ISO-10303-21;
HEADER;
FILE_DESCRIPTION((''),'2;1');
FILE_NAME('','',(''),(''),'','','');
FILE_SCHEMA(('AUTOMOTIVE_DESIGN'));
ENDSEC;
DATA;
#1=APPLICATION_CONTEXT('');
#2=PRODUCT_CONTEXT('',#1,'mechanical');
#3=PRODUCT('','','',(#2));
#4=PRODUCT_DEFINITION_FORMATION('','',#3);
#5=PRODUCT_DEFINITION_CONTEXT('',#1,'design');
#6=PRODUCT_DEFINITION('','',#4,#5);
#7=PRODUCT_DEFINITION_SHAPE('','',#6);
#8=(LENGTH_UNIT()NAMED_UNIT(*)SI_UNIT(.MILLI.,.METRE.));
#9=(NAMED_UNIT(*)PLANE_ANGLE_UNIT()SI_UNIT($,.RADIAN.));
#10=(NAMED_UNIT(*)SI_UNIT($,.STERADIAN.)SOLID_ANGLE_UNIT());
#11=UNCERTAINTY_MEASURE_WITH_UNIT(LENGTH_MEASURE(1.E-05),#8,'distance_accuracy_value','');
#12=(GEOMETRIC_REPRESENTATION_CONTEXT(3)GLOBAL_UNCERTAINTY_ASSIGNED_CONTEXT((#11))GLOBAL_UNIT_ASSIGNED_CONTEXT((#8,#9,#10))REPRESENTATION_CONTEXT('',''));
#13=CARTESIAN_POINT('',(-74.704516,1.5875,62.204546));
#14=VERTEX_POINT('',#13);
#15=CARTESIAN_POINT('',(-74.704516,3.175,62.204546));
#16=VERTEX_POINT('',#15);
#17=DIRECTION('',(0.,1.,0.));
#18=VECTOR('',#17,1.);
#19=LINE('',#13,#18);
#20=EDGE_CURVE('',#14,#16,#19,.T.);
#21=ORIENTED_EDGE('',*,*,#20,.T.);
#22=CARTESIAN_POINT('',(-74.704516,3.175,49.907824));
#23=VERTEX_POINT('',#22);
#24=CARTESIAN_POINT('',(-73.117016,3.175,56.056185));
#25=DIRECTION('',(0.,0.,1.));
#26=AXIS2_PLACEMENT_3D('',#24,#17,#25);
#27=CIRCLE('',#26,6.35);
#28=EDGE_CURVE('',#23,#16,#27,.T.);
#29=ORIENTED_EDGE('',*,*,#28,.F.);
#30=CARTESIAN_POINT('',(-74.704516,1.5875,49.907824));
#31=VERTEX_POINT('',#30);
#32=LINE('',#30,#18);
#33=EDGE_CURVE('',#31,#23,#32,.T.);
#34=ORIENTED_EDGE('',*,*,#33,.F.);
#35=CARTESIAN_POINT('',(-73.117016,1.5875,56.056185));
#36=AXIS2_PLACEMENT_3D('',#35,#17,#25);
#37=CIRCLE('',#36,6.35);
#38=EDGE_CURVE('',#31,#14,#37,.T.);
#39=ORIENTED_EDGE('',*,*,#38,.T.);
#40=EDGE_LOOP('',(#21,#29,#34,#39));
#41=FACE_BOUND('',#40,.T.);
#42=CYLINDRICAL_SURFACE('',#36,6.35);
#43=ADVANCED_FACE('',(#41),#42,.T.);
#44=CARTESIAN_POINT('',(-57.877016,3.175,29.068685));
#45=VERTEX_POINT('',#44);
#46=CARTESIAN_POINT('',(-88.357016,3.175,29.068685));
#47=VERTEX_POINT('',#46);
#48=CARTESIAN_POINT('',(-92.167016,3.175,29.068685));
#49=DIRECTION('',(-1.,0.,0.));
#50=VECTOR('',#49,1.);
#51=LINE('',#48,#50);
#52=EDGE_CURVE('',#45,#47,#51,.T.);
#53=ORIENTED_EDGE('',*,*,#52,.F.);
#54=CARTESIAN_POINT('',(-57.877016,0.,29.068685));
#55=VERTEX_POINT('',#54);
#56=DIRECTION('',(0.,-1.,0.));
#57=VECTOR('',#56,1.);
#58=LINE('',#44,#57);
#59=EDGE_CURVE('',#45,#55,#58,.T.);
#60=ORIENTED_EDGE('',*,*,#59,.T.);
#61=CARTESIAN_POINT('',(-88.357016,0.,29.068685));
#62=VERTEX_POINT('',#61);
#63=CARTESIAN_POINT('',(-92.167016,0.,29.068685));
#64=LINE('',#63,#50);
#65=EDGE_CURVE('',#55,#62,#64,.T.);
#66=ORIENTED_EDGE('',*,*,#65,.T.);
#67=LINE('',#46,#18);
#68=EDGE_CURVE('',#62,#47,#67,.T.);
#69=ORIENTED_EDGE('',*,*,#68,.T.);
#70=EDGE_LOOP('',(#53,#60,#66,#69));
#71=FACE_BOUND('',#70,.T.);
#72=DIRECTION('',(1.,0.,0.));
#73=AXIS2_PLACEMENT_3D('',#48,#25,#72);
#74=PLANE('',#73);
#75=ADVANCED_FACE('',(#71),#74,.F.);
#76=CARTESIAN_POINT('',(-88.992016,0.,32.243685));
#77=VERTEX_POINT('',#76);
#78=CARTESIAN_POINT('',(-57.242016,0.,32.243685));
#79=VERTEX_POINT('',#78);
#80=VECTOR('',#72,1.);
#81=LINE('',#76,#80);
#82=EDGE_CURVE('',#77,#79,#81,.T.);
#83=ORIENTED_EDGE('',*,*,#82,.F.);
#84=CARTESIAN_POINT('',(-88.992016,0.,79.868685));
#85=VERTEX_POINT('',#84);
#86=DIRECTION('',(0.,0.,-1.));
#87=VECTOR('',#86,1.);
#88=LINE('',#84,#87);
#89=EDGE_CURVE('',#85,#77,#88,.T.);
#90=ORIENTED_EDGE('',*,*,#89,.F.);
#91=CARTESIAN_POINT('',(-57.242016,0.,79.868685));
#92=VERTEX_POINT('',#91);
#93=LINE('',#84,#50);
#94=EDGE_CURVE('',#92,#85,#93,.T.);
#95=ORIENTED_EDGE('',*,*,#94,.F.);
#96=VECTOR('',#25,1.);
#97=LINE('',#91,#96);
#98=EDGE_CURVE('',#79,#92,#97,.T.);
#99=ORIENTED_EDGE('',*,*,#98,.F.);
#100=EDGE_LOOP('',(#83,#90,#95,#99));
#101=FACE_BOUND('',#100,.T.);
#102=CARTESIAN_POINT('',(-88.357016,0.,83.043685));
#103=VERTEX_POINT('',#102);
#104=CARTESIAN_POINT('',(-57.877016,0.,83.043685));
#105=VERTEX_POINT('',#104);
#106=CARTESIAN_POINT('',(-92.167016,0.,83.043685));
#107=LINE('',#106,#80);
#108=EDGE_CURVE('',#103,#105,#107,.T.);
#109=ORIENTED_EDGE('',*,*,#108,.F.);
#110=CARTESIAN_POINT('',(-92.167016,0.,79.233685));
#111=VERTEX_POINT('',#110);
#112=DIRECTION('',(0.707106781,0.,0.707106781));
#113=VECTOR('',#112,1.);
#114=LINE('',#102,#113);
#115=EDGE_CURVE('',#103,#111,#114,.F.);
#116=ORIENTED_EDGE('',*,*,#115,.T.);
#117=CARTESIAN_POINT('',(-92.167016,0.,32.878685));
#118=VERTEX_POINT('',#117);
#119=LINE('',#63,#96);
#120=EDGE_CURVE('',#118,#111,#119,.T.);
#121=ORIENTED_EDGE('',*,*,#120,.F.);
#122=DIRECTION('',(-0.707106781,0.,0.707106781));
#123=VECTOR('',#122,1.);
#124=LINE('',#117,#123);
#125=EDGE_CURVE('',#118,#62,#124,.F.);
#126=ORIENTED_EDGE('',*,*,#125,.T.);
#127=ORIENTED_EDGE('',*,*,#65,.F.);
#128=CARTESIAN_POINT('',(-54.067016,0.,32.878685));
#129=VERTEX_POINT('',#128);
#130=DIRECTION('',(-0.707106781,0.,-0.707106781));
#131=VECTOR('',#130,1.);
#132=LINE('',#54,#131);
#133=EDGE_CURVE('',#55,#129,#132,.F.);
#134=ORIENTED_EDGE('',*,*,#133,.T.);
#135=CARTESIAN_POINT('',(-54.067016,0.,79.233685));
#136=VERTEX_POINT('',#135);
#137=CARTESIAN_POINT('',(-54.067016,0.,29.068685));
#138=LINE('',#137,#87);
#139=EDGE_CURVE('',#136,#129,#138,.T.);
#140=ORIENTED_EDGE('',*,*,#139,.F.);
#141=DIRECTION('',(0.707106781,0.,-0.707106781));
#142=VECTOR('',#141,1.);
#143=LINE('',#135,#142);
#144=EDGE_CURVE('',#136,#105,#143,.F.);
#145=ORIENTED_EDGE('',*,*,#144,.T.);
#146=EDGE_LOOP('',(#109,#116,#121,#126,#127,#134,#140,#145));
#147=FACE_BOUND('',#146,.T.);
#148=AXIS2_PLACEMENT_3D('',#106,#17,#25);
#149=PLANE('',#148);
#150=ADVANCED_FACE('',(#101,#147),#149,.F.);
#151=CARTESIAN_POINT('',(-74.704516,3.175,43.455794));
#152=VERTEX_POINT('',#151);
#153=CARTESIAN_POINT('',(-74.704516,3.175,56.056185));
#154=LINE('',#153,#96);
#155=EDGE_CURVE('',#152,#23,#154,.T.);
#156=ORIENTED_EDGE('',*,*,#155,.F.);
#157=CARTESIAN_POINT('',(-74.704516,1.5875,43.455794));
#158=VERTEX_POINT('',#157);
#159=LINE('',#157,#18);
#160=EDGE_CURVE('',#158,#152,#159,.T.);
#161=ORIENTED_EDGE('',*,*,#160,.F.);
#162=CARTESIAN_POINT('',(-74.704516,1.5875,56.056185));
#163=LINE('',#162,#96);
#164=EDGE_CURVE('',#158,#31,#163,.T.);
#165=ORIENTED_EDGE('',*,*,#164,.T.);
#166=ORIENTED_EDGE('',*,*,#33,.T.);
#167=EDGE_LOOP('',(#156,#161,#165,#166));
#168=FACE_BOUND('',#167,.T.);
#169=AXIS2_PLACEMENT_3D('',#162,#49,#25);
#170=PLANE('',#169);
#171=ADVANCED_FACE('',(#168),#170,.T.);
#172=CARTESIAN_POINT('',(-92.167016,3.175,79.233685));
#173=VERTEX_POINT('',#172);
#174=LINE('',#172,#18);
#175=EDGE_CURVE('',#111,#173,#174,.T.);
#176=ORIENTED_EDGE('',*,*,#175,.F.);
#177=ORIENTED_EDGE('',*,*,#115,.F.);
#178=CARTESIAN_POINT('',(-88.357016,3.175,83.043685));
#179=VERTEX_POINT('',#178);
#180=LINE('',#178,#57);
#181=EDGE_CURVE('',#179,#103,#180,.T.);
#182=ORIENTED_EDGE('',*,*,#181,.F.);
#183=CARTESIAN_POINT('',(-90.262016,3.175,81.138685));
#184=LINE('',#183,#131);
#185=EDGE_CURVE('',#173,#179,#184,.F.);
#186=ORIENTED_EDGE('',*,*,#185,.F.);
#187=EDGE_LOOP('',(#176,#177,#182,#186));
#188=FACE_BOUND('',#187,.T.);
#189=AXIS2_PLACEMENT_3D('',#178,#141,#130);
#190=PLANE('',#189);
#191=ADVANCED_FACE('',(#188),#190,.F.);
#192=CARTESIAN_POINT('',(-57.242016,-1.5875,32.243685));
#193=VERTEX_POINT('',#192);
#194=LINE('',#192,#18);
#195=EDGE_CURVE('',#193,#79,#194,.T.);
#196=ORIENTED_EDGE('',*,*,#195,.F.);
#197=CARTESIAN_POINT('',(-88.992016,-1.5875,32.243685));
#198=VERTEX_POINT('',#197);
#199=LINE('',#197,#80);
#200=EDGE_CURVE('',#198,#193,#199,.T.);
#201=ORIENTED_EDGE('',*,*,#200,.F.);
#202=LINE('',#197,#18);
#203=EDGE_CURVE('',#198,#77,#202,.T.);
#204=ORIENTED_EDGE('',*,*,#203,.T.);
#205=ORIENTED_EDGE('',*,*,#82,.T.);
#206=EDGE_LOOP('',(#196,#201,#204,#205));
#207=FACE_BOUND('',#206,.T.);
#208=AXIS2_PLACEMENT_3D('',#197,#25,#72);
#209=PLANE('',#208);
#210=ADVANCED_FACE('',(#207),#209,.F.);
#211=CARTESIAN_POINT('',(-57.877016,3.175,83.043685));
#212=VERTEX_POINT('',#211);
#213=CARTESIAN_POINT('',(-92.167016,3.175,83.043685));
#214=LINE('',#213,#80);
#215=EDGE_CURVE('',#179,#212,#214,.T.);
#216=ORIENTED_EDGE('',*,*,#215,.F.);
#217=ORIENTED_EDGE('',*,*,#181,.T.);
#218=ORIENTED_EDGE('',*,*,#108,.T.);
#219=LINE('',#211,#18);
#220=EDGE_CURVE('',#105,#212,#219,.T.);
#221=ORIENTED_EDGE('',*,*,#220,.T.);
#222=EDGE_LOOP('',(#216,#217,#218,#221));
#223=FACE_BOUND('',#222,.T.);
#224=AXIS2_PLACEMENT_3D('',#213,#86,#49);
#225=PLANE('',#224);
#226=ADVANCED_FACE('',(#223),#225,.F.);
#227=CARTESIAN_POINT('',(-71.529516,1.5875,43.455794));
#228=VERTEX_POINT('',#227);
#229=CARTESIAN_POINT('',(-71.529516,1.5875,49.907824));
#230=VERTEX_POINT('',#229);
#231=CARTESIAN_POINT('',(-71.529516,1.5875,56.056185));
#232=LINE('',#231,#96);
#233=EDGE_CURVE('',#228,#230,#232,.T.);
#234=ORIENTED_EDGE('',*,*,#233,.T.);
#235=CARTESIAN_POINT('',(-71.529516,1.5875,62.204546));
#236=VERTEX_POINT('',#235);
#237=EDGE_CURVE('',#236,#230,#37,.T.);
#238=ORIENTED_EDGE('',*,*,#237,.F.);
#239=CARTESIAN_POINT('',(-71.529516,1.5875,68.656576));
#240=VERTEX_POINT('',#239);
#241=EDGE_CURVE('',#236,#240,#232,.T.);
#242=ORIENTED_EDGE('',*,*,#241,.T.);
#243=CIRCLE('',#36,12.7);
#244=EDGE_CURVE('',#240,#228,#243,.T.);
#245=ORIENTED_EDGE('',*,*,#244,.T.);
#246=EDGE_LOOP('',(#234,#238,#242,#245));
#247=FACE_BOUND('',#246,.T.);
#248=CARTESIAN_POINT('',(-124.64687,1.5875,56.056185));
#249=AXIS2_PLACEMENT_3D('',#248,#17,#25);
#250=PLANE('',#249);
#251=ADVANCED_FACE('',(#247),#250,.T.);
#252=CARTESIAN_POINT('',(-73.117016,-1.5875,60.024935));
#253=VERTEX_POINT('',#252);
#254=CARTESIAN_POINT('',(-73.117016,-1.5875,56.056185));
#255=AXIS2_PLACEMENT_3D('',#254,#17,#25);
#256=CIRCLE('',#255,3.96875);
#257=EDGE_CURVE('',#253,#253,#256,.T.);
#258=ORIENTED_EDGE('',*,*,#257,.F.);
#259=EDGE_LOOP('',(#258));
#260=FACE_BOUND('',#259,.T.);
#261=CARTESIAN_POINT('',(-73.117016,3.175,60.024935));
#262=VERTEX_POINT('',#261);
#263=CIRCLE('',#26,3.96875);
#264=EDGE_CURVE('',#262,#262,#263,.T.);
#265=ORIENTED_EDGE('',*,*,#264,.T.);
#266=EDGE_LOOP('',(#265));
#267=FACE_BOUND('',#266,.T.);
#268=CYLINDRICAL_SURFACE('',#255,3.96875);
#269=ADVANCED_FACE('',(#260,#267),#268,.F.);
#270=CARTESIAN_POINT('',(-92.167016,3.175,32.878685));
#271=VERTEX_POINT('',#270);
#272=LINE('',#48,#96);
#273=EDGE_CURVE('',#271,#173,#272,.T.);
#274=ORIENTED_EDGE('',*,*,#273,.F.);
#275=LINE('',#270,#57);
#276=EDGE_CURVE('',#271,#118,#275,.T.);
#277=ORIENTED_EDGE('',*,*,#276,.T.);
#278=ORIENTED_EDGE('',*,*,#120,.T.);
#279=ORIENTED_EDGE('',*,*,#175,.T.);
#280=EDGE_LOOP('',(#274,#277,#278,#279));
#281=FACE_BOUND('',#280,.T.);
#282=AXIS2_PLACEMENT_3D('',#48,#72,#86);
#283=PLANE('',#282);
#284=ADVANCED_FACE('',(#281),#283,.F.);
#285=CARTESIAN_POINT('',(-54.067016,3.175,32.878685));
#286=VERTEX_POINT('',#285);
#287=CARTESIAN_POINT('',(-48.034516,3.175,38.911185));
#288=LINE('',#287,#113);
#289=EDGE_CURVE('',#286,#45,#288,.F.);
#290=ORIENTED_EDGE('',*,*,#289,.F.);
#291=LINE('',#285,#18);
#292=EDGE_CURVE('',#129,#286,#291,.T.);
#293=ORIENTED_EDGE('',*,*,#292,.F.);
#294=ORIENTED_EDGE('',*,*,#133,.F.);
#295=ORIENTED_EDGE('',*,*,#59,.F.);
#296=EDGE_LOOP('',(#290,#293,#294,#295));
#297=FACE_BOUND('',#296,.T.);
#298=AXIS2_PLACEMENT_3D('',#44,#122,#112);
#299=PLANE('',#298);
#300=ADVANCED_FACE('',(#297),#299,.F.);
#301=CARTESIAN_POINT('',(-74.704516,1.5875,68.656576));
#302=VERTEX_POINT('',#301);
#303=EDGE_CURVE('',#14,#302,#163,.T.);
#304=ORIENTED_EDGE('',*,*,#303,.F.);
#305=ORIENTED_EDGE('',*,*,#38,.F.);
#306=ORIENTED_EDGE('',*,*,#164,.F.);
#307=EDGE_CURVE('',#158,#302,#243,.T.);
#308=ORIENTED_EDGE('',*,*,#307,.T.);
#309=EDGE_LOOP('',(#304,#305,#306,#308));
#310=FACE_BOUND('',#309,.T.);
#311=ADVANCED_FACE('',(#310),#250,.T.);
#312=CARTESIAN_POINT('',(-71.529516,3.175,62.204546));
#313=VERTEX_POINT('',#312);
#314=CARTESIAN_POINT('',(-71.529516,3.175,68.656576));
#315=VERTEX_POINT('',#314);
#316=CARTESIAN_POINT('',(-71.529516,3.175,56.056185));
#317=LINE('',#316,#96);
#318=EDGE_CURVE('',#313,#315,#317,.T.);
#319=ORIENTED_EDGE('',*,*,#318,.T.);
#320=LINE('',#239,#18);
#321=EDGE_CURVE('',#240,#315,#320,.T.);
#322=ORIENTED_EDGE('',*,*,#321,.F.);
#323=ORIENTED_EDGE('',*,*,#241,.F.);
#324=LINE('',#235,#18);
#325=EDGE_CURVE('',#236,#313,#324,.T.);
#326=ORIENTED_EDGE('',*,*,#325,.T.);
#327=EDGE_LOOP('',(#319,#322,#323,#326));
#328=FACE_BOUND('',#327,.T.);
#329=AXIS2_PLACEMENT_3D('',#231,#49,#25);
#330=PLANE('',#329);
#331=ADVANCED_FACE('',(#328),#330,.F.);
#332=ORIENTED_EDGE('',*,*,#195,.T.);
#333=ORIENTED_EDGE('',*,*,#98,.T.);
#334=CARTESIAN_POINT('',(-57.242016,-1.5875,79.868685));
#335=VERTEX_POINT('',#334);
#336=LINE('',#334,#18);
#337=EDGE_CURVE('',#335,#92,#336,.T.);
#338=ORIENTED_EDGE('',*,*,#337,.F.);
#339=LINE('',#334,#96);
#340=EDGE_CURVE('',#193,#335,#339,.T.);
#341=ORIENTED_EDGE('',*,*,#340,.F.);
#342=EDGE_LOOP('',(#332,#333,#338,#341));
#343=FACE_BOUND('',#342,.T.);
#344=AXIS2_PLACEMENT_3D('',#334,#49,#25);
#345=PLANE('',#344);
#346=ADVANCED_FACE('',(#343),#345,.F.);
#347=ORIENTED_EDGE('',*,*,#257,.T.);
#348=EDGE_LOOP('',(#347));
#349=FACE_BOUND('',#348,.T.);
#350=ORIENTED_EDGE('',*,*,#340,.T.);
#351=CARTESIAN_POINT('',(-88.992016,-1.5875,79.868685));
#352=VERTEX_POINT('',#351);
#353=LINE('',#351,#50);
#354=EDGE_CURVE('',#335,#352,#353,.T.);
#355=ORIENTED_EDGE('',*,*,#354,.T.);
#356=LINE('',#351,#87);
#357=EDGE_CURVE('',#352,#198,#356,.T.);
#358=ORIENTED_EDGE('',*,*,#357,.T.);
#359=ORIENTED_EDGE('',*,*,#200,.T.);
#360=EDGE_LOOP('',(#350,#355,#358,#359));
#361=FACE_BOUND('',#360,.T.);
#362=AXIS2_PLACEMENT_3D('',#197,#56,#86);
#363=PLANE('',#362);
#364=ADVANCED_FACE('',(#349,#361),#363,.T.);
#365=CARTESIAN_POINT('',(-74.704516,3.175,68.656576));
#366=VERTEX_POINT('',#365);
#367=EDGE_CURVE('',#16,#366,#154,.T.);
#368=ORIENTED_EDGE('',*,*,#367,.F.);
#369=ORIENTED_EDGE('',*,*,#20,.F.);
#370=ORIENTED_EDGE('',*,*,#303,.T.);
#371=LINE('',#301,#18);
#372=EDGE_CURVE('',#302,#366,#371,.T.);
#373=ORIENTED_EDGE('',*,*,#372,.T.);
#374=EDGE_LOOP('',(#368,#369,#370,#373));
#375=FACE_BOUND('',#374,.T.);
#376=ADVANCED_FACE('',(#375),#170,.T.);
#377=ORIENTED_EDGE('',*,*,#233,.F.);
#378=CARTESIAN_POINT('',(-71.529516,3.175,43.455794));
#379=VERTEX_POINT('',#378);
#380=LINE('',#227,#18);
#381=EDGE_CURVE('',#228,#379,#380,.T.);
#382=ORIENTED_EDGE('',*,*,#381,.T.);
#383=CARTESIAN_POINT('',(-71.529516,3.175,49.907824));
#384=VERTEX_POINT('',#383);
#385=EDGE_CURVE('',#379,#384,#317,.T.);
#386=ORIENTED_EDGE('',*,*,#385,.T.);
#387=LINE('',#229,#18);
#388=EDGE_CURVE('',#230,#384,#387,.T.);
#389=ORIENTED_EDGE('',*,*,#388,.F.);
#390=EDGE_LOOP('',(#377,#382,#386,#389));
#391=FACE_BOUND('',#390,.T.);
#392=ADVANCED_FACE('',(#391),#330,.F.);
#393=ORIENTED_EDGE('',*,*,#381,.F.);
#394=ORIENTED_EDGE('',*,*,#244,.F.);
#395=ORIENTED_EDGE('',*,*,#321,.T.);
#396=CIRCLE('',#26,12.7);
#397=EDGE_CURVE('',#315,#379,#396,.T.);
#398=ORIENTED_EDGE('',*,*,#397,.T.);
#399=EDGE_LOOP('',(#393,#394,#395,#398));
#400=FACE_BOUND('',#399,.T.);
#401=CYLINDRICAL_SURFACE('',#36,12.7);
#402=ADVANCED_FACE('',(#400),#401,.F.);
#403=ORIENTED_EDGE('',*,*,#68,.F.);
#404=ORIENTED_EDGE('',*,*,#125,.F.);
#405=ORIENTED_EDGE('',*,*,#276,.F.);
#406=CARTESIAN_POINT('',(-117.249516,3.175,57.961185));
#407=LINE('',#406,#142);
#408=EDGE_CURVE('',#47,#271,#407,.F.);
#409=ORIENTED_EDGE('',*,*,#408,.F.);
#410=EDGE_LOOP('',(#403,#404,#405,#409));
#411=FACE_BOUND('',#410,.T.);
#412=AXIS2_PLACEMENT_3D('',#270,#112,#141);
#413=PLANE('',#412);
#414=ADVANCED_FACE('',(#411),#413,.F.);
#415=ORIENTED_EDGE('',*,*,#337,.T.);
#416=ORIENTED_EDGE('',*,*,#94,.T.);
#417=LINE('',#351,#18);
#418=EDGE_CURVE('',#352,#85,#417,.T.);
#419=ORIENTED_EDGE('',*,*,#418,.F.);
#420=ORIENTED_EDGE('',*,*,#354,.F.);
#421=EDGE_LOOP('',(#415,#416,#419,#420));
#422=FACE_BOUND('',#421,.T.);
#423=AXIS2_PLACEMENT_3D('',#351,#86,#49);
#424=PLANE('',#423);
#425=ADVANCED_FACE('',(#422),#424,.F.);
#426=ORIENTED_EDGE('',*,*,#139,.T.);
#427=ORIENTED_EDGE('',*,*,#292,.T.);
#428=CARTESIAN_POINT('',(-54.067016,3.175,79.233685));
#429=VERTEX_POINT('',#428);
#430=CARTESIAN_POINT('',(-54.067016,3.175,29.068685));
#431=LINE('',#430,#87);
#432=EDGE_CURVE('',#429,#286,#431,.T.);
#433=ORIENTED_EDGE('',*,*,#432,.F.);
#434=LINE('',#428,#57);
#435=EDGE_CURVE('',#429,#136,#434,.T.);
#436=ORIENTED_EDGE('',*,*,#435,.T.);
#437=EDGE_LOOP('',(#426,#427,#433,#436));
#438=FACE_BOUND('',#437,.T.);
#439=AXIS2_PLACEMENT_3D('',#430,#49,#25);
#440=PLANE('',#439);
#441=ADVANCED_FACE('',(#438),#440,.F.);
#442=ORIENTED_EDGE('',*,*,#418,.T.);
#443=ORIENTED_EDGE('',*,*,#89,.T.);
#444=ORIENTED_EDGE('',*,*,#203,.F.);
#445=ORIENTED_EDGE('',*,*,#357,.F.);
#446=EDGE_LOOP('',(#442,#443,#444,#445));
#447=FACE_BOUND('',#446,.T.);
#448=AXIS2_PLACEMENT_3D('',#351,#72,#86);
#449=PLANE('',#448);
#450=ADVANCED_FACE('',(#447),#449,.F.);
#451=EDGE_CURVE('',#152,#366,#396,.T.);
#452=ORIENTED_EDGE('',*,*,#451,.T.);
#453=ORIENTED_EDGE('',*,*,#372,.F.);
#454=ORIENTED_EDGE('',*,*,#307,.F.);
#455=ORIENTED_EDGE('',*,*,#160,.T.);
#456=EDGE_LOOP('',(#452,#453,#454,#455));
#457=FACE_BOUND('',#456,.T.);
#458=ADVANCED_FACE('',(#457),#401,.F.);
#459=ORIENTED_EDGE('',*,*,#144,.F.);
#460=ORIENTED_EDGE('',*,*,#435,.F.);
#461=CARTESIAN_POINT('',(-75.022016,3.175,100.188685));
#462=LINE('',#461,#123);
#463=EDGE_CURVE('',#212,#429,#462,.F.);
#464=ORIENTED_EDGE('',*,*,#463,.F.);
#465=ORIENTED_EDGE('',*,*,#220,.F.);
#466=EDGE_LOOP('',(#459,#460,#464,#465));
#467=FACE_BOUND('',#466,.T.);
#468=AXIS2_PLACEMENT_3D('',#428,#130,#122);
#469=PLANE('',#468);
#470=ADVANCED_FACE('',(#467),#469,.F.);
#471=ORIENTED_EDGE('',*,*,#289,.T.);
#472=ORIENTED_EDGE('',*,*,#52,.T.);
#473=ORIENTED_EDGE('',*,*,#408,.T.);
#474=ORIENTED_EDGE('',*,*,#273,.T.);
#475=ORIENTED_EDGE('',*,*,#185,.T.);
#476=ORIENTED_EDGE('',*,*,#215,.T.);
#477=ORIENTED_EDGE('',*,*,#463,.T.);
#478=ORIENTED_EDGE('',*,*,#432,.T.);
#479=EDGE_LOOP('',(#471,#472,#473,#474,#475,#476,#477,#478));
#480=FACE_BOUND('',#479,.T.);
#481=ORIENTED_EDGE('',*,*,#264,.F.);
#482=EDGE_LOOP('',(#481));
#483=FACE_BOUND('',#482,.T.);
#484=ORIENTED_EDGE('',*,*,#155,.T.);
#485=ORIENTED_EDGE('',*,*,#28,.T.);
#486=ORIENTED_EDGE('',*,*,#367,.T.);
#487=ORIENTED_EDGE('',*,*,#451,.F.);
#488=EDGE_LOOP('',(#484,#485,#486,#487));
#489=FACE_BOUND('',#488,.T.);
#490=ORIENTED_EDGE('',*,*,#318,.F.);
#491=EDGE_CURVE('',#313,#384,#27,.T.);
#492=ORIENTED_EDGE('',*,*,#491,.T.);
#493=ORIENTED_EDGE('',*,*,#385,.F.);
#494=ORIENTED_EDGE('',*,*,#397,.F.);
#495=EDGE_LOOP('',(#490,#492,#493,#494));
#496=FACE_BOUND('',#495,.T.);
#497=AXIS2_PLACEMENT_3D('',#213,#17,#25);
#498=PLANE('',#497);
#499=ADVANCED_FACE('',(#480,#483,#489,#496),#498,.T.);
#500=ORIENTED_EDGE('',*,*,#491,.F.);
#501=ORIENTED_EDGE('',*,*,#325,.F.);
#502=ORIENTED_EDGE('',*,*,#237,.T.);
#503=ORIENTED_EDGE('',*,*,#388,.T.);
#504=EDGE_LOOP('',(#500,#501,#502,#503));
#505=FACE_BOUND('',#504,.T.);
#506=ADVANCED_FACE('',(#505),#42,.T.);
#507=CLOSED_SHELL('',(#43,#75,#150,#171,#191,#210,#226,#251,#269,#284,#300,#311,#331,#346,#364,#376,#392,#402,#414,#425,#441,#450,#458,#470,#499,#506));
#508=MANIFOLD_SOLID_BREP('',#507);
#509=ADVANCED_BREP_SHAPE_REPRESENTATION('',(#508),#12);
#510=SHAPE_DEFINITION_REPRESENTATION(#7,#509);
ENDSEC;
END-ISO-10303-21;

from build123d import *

# Parameters (mm, degrees)
SKETCH1_W           = 38.1
SKETCH1_H           = 53.975
BOSS_EXTRUDE1_DEPTH = 3.175
SKETCH2_W           = 31.75
SKETCH2_H           = 47.625
BOSS_EXTRUDE2_DEPTH = 1.5875
CHAMFER1_SIZE       = 3.81
SKETCH3_R           = 1.905
CUT_EXTRUDE1_DEPTH  = 1.5875
SKETCH4_R           = 3.96875
CUT_EXTRUDE2_DEPTH  = 125.151898589


with BuildPart() as part:
    # Sketch1 → Boss-Extrude1 (new body)
    with BuildSketch(Plane(origin=(0, 0, 0), x_dir=(1, 0, 0), z_dir=(0, 1, 0))):
        with Locations((-73.117016369, -56.056184953)):
            Rectangle(SKETCH1_W, SKETCH1_H)
    extrude(amount=BOSS_EXTRUDE1_DEPTH)

    # Sketch2 → Boss-Extrude2 (add)
    with BuildSketch(Plane.XZ):
        with Locations((-73.117016369, 56.056184953)):
            Rectangle(SKETCH2_W, SKETCH2_H)
    extrude(amount=BOSS_EXTRUDE2_DEPTH)

    # Chamfer1
    chamfer1_edges = [part.edges().sort_by_distance(p)[0] for p in [
        (-92.167016369, 1.5875, 29.068684953),
        (-54.067016369, 1.5875, 29.068684953),
        (-54.067016369, 1.5875, 83.043684953),
        (-92.167016369, 1.5875, 83.043684953),
    ]]
    chamfer(chamfer1_edges, length=CHAMFER1_SIZE)

    # Sketch3 → Cut-Extrude1 (cut)
    with BuildSketch(Plane(origin=(0, 3.175, 0), x_dir=(1, 0, 0), z_dir=(0, 1, 0))):
        with Locations(Location((-73.117016369, -56.056184953, 0), (0, 0, 270))):
            Circle(SKETCH3_R)
        with BuildLine():
            Line((-74.704516369, -68.656575572), (-74.704516369, -62.204546015))
            ThreePointArc((-74.704516369, -62.204546015), (-79.467016369, -56.056184953), (-74.704516369, -49.907823891))
            Line((-74.704516369, -49.907823891), (-74.704516369, -43.455794334))
            ThreePointArc((-74.704516369, -43.455794334), (-85.817016369, -56.056184953), (-74.704516369, -68.656575572))
        make_face()
        with BuildLine():
            ThreePointArc((-71.529516369, -49.907823891), (-66.767016369, -56.056184953), (-71.529516369, -62.204546015))
            Line((-71.529516369, -62.204546015), (-71.529516369, -68.656575572))
            ThreePointArc((-71.529516369, -68.656575572), (-60.417016369, -56.056184953), (-71.529516369, -43.455794334))
            Line((-71.529516369, -43.455794334), (-71.529516369, -49.907823891))
        make_face()
    extrude(amount=-CUT_EXTRUDE1_DEPTH, mode=Mode.SUBTRACT)

    # Sketch4 → Cut-Extrude2 (cut, through all)
    with BuildSketch(Plane(origin=(0, 3.175, 0), x_dir=(-1, 0, 0), z_dir=(0, 1, 0))):
        with Locations(Location((73.117016369, 56.056184953, 0), (0, 0, 90))):
            Circle(SKETCH4_R)
    extrude(amount=-CUT_EXTRUDE2_DEPTH, mode=Mode.SUBTRACT)


solid = part.part
